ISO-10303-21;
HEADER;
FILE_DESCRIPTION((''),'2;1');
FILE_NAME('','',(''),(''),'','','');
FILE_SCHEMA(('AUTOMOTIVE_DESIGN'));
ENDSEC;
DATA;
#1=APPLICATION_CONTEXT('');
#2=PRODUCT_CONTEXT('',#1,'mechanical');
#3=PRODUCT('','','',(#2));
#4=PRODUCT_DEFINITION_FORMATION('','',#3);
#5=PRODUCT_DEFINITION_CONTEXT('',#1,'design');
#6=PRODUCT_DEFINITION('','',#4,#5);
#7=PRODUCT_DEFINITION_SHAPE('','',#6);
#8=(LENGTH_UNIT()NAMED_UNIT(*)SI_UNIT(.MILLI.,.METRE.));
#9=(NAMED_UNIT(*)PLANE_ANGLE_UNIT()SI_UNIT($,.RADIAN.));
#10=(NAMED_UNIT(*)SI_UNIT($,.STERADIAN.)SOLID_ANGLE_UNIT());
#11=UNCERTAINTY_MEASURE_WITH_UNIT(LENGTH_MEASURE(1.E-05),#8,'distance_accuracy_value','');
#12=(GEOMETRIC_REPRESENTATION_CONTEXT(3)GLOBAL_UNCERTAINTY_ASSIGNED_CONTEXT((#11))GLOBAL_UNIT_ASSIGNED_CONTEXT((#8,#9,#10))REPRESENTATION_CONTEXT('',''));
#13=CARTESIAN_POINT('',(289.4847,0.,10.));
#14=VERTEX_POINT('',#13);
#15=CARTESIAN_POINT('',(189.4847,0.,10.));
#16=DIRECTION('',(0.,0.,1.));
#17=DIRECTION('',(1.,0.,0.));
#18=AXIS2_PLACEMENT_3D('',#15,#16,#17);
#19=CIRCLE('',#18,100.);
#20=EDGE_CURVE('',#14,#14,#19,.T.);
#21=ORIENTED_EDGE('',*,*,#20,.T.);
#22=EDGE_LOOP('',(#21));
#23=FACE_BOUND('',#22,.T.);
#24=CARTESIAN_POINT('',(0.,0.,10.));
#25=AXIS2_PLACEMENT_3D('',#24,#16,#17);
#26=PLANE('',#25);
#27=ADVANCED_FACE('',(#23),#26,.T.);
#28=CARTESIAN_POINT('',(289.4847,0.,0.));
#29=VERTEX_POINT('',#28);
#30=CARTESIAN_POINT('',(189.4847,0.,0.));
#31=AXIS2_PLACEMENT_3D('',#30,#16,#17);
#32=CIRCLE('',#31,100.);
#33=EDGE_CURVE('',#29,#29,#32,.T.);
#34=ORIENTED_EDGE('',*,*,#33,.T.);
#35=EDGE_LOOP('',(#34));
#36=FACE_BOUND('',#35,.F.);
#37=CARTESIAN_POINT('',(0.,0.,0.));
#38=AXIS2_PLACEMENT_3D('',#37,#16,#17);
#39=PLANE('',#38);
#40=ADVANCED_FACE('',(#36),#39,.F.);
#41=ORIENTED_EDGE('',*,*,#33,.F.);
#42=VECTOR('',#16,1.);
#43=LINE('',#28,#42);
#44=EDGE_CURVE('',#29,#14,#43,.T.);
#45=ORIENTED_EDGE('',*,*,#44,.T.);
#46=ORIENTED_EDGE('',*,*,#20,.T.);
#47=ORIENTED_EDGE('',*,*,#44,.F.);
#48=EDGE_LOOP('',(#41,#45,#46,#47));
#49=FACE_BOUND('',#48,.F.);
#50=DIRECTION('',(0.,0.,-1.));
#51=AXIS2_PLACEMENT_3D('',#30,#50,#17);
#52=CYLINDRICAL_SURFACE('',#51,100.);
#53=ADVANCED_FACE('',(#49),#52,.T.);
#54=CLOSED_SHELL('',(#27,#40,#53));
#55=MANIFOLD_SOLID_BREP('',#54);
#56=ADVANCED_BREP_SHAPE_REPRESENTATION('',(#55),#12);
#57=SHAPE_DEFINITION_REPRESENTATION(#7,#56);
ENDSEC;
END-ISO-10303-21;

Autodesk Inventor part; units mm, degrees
ref_plane "YZ Plane" through (0, 0, 0) normal (1, 0, 0) x (0, 1, 0)
ref_plane "XZ Plane" through (0, 0, 0) normal (0, 1, 0) x (-1, 0, 0)
ref_plane "XY Plane" through (0, 0, 0) normal (0, 0, 1) x (1, 0, 0)
sketch "Sketch1" plane through (0, 0, 0) normal (0, 0, 1) x (1, 0, 0)
  circle A0 centre (189.4847, 0) radius 100
  point P0 (0, 0)
  dimension "d0" = 200
  dimension "d0" = 200
extrude "Extrusion1" add sketch "Sketch1" along normal blind 10
properties part number "Gear2"
